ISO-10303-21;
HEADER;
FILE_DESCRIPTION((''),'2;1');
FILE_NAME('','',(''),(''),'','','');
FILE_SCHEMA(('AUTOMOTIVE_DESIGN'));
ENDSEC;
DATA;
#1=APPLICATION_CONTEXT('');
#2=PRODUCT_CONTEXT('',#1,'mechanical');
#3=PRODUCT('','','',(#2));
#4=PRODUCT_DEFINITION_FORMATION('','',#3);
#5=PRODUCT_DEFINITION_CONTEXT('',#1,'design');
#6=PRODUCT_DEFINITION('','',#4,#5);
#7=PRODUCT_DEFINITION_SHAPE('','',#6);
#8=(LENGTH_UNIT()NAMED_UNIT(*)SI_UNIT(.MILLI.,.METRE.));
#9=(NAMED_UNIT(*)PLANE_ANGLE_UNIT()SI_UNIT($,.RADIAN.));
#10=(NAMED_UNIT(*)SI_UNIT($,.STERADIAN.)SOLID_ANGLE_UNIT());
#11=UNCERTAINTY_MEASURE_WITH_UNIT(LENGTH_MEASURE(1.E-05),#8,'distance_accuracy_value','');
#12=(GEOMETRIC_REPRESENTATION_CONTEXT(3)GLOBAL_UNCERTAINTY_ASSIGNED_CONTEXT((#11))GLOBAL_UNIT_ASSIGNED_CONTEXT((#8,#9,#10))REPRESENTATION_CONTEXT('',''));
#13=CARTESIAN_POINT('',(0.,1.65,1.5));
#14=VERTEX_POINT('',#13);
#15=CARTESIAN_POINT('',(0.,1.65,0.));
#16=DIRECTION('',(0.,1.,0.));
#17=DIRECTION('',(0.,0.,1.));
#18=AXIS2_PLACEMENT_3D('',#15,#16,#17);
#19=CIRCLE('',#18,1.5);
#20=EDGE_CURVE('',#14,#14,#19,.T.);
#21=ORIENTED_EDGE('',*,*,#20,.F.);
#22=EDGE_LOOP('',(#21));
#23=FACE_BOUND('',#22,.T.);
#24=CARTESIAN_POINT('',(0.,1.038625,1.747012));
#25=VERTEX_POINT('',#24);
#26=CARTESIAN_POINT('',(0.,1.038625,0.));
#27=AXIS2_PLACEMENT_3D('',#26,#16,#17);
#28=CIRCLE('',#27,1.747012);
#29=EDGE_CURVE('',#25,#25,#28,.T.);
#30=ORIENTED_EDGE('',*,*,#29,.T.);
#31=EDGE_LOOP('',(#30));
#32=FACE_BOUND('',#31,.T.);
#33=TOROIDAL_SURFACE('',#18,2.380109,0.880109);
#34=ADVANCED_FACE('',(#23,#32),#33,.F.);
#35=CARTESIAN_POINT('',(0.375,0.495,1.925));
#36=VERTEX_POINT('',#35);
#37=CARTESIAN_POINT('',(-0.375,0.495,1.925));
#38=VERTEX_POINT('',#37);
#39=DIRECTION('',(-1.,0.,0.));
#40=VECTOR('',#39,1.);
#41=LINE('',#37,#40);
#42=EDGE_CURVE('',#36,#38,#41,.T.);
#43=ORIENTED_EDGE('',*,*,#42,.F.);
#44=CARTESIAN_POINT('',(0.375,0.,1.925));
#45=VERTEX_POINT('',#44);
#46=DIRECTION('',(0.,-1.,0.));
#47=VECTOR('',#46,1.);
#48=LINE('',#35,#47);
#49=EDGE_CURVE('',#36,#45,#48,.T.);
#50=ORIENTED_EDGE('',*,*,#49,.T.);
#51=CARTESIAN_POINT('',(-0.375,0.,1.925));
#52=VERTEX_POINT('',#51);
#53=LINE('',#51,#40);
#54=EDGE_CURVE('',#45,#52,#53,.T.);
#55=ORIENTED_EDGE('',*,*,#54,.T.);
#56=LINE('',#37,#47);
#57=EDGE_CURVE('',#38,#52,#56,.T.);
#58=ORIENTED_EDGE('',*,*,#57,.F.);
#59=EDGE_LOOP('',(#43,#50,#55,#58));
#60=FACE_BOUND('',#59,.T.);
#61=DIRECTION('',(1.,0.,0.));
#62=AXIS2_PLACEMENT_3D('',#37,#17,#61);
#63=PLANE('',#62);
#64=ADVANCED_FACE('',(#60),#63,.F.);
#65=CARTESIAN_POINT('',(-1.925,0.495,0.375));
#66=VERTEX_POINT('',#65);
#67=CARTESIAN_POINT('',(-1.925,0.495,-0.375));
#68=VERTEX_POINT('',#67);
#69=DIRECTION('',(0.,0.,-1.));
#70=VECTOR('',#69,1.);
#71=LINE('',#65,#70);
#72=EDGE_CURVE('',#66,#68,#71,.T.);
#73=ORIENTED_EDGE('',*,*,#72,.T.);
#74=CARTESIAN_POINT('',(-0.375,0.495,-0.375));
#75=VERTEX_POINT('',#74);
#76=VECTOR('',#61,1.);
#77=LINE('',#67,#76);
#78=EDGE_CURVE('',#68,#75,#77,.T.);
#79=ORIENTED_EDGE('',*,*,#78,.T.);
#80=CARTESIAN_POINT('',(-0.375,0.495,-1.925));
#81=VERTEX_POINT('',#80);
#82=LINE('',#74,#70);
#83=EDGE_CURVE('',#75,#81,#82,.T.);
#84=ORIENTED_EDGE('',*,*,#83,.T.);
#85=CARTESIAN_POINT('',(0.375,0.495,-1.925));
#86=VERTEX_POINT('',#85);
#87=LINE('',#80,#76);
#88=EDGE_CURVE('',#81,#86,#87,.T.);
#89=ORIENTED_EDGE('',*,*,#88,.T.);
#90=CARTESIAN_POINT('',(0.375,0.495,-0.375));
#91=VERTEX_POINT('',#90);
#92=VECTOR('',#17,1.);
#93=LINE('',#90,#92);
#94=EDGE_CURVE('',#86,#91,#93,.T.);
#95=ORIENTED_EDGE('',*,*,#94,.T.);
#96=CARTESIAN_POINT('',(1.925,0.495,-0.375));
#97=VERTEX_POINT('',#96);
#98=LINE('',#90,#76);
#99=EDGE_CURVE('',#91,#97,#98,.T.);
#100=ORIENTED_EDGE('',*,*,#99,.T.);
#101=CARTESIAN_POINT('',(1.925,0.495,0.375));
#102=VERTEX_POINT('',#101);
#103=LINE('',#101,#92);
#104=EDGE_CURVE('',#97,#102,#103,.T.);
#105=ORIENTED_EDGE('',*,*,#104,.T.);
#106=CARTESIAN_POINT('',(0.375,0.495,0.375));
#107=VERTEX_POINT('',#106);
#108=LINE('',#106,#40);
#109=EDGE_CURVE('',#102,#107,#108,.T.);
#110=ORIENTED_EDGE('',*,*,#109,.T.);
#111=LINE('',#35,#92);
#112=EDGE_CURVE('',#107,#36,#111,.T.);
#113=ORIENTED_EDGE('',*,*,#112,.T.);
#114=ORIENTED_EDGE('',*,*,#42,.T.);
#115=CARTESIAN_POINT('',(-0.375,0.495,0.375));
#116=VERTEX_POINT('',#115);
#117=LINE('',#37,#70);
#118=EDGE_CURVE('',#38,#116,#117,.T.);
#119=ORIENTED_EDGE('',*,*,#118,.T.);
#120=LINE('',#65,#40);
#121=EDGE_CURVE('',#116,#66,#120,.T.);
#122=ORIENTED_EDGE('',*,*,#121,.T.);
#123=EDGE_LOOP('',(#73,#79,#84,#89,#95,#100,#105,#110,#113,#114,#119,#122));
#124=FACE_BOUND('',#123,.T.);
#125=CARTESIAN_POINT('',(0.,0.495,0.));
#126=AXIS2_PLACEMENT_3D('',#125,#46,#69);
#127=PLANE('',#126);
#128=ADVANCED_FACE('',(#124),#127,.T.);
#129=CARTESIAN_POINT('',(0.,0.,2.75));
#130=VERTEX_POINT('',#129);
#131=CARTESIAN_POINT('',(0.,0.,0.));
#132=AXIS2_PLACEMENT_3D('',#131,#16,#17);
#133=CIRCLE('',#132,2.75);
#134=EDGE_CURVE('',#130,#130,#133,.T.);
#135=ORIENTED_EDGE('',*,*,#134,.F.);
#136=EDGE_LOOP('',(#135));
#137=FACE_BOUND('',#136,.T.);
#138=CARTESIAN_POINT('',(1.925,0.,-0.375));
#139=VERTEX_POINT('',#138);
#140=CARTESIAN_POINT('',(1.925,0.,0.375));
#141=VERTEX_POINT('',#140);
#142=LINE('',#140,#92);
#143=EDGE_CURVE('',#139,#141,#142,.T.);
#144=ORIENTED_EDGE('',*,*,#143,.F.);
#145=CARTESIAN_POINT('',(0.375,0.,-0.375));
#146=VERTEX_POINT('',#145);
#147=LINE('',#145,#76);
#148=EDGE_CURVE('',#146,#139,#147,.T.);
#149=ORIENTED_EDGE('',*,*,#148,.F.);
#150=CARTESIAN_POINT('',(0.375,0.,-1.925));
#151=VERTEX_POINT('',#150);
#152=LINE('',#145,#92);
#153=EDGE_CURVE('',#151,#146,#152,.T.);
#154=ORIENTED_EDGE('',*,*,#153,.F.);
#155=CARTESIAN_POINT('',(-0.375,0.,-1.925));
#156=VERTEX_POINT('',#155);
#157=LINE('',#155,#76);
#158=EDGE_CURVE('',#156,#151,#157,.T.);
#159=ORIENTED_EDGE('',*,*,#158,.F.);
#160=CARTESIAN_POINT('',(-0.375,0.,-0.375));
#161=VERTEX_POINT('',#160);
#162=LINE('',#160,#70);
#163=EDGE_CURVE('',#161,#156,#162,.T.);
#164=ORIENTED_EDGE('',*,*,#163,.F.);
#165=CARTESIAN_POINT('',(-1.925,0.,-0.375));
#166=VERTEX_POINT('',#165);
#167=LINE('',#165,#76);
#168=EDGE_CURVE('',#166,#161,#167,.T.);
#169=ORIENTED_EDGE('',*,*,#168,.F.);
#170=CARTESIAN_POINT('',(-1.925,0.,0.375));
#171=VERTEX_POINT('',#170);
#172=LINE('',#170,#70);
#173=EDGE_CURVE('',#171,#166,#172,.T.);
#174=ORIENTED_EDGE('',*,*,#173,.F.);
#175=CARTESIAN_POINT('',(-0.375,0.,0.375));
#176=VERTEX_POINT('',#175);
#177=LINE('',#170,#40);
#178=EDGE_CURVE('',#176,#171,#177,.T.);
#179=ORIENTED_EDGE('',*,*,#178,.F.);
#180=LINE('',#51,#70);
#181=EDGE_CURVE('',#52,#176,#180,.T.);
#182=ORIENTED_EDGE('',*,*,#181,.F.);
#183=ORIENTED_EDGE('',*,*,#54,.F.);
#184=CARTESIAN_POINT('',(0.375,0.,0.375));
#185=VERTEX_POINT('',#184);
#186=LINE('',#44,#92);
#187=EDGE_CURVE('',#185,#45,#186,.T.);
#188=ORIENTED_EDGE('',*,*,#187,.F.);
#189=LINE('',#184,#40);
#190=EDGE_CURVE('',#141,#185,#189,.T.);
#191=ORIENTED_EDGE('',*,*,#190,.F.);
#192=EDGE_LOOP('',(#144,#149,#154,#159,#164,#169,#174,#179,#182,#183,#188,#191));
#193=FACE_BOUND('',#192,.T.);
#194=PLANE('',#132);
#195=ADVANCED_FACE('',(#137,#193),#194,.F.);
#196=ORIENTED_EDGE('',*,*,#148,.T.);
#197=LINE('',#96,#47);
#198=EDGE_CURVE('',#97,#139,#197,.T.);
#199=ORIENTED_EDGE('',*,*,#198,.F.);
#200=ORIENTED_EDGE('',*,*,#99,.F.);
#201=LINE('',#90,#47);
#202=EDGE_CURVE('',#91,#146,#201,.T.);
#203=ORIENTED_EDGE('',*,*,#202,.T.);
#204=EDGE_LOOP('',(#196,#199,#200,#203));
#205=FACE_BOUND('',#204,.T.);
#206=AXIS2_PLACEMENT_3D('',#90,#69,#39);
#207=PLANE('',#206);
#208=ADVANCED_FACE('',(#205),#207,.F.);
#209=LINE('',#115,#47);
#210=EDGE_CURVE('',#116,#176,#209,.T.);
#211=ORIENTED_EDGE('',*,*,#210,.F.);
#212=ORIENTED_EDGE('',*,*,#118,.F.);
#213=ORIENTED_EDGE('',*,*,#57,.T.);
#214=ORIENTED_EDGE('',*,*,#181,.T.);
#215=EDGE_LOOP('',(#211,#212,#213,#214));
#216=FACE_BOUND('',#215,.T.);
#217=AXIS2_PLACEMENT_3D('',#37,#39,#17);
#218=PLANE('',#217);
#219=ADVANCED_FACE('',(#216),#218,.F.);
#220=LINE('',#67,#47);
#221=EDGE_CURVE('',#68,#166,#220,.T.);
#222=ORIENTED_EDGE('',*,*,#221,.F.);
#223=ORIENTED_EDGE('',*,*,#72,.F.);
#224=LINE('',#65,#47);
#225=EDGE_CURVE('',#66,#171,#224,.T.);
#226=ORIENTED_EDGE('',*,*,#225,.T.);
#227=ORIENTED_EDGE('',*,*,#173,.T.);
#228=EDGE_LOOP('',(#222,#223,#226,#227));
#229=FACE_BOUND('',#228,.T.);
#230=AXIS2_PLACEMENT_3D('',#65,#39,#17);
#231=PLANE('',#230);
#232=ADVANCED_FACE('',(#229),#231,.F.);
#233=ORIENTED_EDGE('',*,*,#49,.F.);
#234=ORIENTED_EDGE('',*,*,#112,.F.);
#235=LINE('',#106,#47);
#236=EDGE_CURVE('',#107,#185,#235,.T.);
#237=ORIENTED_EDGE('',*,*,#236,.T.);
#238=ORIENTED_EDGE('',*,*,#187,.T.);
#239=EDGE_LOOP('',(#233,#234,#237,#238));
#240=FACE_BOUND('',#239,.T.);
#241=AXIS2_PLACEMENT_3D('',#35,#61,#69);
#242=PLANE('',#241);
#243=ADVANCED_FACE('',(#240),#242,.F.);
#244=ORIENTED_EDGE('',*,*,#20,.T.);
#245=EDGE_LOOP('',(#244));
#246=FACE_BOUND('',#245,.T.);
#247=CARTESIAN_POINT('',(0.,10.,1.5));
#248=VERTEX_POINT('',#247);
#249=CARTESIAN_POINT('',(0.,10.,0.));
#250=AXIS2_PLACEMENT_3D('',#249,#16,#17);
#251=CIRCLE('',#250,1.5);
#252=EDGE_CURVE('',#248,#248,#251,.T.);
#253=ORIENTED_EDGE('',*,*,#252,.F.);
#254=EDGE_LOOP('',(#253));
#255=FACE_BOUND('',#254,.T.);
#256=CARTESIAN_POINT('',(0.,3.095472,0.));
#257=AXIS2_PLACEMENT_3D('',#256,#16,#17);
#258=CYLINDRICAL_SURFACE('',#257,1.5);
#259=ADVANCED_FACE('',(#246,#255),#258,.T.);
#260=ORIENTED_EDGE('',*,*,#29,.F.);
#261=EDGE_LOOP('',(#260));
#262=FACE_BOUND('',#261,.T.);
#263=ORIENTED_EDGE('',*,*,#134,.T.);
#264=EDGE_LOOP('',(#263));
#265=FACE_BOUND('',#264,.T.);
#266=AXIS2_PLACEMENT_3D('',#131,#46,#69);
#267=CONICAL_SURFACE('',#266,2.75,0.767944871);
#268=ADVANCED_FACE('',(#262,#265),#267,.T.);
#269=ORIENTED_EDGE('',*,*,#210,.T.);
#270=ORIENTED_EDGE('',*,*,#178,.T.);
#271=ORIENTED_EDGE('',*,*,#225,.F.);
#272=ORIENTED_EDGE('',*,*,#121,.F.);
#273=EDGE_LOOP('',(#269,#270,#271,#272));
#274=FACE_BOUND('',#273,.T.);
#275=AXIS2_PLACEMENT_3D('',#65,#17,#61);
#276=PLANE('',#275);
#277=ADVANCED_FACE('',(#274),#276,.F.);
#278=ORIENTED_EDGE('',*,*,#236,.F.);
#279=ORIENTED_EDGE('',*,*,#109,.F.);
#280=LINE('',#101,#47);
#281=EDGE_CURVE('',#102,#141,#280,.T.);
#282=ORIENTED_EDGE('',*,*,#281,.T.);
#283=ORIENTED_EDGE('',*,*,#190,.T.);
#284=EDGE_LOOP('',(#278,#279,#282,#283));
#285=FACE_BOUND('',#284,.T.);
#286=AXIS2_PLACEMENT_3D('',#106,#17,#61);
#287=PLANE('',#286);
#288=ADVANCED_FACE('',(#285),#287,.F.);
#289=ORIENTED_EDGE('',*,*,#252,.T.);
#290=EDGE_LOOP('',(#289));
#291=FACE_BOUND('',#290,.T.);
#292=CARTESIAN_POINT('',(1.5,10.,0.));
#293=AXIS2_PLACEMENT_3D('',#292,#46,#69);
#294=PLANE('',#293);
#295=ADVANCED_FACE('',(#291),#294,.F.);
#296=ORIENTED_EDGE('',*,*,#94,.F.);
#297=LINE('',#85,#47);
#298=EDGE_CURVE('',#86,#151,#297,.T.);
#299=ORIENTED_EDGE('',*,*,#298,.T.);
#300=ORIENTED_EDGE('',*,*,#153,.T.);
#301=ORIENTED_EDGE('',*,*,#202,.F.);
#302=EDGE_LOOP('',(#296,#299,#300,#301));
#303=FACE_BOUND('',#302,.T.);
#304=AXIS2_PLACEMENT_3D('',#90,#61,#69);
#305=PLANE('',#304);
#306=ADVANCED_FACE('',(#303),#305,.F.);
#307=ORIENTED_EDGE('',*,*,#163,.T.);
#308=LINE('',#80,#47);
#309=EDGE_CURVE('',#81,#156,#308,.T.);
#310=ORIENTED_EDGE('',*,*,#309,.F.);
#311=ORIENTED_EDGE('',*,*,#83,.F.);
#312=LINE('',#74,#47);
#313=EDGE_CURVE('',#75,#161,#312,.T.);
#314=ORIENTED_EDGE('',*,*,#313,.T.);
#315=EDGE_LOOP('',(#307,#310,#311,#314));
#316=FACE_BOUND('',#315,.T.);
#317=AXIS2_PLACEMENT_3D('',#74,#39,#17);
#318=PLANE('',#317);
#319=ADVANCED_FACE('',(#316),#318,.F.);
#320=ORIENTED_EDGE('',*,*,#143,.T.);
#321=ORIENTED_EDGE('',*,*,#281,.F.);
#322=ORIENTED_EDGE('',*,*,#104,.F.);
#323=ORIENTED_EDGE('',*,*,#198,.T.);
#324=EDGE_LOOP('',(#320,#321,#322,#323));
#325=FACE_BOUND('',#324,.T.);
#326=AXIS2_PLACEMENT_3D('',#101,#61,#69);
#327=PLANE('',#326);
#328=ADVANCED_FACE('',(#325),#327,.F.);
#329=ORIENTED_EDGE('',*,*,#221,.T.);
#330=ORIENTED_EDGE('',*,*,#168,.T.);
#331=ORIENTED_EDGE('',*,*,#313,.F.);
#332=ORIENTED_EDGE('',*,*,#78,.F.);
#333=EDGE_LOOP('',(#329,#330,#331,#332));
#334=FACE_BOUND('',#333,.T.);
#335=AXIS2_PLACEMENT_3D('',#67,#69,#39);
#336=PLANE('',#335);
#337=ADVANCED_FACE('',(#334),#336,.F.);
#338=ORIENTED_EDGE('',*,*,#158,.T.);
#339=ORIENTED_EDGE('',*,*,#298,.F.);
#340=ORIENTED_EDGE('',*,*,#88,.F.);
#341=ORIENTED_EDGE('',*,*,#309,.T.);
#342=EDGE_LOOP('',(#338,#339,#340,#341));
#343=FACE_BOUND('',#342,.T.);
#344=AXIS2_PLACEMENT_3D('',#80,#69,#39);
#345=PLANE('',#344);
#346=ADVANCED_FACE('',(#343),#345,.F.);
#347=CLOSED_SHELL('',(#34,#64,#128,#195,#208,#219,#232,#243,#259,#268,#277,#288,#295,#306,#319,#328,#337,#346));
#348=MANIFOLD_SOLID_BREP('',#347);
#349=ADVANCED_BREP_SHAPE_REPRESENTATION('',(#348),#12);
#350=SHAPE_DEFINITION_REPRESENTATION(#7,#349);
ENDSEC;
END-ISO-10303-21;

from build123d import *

# Parameters (mm, degrees)
CUT_EXTRUDE_1_DEPTH = 0.495


with BuildPart() as part:
    # 草图1 → 旋转1 (revolve)
    with BuildSketch(Plane.XY, mode=Mode.PRIVATE) as revolve_1_sk:
        with BuildLine():
            Line((0, 0), (2.75, 0))
            Line((2.75, 0), (1.747011561, 1.038624933))
            ThreePointArc((1.747011561, 1.038624933), (1.564086143, 1.320305375), (1.5, 1.65))
            Line((1.5, 1.65), (1.5, 10))
            Line((1.5, 10), (0, 10))
            Line((0, 10), (0, 0))
        make_face()
    revolve(revolve_1_sk.sketch.rotate(Axis((0, 3.09547163, 0), (0, -1, 0)), 90), axis=Axis((0, 3.09547163, 0), (0, -1, 0)))

    # 草图2 → 切除-拉伸1 (cut)
    with BuildSketch(Plane.XZ):
        Polygon((-0.375, -0.375), (-0.375, -1.925), (0.375, -1.925), (0.375, -0.375), (1.925, -0.375), (1.925, 0.375), (0.375, 0.375), (0.375, 1.925), (-0.375, 1.925), (-0.375, 0.375), (-1.925, 0.375), (-1.925, -0.375), align=None)
    extrude(amount=-CUT_EXTRUDE_1_DEPTH, mode=Mode.SUBTRACT)


solid = part.part
